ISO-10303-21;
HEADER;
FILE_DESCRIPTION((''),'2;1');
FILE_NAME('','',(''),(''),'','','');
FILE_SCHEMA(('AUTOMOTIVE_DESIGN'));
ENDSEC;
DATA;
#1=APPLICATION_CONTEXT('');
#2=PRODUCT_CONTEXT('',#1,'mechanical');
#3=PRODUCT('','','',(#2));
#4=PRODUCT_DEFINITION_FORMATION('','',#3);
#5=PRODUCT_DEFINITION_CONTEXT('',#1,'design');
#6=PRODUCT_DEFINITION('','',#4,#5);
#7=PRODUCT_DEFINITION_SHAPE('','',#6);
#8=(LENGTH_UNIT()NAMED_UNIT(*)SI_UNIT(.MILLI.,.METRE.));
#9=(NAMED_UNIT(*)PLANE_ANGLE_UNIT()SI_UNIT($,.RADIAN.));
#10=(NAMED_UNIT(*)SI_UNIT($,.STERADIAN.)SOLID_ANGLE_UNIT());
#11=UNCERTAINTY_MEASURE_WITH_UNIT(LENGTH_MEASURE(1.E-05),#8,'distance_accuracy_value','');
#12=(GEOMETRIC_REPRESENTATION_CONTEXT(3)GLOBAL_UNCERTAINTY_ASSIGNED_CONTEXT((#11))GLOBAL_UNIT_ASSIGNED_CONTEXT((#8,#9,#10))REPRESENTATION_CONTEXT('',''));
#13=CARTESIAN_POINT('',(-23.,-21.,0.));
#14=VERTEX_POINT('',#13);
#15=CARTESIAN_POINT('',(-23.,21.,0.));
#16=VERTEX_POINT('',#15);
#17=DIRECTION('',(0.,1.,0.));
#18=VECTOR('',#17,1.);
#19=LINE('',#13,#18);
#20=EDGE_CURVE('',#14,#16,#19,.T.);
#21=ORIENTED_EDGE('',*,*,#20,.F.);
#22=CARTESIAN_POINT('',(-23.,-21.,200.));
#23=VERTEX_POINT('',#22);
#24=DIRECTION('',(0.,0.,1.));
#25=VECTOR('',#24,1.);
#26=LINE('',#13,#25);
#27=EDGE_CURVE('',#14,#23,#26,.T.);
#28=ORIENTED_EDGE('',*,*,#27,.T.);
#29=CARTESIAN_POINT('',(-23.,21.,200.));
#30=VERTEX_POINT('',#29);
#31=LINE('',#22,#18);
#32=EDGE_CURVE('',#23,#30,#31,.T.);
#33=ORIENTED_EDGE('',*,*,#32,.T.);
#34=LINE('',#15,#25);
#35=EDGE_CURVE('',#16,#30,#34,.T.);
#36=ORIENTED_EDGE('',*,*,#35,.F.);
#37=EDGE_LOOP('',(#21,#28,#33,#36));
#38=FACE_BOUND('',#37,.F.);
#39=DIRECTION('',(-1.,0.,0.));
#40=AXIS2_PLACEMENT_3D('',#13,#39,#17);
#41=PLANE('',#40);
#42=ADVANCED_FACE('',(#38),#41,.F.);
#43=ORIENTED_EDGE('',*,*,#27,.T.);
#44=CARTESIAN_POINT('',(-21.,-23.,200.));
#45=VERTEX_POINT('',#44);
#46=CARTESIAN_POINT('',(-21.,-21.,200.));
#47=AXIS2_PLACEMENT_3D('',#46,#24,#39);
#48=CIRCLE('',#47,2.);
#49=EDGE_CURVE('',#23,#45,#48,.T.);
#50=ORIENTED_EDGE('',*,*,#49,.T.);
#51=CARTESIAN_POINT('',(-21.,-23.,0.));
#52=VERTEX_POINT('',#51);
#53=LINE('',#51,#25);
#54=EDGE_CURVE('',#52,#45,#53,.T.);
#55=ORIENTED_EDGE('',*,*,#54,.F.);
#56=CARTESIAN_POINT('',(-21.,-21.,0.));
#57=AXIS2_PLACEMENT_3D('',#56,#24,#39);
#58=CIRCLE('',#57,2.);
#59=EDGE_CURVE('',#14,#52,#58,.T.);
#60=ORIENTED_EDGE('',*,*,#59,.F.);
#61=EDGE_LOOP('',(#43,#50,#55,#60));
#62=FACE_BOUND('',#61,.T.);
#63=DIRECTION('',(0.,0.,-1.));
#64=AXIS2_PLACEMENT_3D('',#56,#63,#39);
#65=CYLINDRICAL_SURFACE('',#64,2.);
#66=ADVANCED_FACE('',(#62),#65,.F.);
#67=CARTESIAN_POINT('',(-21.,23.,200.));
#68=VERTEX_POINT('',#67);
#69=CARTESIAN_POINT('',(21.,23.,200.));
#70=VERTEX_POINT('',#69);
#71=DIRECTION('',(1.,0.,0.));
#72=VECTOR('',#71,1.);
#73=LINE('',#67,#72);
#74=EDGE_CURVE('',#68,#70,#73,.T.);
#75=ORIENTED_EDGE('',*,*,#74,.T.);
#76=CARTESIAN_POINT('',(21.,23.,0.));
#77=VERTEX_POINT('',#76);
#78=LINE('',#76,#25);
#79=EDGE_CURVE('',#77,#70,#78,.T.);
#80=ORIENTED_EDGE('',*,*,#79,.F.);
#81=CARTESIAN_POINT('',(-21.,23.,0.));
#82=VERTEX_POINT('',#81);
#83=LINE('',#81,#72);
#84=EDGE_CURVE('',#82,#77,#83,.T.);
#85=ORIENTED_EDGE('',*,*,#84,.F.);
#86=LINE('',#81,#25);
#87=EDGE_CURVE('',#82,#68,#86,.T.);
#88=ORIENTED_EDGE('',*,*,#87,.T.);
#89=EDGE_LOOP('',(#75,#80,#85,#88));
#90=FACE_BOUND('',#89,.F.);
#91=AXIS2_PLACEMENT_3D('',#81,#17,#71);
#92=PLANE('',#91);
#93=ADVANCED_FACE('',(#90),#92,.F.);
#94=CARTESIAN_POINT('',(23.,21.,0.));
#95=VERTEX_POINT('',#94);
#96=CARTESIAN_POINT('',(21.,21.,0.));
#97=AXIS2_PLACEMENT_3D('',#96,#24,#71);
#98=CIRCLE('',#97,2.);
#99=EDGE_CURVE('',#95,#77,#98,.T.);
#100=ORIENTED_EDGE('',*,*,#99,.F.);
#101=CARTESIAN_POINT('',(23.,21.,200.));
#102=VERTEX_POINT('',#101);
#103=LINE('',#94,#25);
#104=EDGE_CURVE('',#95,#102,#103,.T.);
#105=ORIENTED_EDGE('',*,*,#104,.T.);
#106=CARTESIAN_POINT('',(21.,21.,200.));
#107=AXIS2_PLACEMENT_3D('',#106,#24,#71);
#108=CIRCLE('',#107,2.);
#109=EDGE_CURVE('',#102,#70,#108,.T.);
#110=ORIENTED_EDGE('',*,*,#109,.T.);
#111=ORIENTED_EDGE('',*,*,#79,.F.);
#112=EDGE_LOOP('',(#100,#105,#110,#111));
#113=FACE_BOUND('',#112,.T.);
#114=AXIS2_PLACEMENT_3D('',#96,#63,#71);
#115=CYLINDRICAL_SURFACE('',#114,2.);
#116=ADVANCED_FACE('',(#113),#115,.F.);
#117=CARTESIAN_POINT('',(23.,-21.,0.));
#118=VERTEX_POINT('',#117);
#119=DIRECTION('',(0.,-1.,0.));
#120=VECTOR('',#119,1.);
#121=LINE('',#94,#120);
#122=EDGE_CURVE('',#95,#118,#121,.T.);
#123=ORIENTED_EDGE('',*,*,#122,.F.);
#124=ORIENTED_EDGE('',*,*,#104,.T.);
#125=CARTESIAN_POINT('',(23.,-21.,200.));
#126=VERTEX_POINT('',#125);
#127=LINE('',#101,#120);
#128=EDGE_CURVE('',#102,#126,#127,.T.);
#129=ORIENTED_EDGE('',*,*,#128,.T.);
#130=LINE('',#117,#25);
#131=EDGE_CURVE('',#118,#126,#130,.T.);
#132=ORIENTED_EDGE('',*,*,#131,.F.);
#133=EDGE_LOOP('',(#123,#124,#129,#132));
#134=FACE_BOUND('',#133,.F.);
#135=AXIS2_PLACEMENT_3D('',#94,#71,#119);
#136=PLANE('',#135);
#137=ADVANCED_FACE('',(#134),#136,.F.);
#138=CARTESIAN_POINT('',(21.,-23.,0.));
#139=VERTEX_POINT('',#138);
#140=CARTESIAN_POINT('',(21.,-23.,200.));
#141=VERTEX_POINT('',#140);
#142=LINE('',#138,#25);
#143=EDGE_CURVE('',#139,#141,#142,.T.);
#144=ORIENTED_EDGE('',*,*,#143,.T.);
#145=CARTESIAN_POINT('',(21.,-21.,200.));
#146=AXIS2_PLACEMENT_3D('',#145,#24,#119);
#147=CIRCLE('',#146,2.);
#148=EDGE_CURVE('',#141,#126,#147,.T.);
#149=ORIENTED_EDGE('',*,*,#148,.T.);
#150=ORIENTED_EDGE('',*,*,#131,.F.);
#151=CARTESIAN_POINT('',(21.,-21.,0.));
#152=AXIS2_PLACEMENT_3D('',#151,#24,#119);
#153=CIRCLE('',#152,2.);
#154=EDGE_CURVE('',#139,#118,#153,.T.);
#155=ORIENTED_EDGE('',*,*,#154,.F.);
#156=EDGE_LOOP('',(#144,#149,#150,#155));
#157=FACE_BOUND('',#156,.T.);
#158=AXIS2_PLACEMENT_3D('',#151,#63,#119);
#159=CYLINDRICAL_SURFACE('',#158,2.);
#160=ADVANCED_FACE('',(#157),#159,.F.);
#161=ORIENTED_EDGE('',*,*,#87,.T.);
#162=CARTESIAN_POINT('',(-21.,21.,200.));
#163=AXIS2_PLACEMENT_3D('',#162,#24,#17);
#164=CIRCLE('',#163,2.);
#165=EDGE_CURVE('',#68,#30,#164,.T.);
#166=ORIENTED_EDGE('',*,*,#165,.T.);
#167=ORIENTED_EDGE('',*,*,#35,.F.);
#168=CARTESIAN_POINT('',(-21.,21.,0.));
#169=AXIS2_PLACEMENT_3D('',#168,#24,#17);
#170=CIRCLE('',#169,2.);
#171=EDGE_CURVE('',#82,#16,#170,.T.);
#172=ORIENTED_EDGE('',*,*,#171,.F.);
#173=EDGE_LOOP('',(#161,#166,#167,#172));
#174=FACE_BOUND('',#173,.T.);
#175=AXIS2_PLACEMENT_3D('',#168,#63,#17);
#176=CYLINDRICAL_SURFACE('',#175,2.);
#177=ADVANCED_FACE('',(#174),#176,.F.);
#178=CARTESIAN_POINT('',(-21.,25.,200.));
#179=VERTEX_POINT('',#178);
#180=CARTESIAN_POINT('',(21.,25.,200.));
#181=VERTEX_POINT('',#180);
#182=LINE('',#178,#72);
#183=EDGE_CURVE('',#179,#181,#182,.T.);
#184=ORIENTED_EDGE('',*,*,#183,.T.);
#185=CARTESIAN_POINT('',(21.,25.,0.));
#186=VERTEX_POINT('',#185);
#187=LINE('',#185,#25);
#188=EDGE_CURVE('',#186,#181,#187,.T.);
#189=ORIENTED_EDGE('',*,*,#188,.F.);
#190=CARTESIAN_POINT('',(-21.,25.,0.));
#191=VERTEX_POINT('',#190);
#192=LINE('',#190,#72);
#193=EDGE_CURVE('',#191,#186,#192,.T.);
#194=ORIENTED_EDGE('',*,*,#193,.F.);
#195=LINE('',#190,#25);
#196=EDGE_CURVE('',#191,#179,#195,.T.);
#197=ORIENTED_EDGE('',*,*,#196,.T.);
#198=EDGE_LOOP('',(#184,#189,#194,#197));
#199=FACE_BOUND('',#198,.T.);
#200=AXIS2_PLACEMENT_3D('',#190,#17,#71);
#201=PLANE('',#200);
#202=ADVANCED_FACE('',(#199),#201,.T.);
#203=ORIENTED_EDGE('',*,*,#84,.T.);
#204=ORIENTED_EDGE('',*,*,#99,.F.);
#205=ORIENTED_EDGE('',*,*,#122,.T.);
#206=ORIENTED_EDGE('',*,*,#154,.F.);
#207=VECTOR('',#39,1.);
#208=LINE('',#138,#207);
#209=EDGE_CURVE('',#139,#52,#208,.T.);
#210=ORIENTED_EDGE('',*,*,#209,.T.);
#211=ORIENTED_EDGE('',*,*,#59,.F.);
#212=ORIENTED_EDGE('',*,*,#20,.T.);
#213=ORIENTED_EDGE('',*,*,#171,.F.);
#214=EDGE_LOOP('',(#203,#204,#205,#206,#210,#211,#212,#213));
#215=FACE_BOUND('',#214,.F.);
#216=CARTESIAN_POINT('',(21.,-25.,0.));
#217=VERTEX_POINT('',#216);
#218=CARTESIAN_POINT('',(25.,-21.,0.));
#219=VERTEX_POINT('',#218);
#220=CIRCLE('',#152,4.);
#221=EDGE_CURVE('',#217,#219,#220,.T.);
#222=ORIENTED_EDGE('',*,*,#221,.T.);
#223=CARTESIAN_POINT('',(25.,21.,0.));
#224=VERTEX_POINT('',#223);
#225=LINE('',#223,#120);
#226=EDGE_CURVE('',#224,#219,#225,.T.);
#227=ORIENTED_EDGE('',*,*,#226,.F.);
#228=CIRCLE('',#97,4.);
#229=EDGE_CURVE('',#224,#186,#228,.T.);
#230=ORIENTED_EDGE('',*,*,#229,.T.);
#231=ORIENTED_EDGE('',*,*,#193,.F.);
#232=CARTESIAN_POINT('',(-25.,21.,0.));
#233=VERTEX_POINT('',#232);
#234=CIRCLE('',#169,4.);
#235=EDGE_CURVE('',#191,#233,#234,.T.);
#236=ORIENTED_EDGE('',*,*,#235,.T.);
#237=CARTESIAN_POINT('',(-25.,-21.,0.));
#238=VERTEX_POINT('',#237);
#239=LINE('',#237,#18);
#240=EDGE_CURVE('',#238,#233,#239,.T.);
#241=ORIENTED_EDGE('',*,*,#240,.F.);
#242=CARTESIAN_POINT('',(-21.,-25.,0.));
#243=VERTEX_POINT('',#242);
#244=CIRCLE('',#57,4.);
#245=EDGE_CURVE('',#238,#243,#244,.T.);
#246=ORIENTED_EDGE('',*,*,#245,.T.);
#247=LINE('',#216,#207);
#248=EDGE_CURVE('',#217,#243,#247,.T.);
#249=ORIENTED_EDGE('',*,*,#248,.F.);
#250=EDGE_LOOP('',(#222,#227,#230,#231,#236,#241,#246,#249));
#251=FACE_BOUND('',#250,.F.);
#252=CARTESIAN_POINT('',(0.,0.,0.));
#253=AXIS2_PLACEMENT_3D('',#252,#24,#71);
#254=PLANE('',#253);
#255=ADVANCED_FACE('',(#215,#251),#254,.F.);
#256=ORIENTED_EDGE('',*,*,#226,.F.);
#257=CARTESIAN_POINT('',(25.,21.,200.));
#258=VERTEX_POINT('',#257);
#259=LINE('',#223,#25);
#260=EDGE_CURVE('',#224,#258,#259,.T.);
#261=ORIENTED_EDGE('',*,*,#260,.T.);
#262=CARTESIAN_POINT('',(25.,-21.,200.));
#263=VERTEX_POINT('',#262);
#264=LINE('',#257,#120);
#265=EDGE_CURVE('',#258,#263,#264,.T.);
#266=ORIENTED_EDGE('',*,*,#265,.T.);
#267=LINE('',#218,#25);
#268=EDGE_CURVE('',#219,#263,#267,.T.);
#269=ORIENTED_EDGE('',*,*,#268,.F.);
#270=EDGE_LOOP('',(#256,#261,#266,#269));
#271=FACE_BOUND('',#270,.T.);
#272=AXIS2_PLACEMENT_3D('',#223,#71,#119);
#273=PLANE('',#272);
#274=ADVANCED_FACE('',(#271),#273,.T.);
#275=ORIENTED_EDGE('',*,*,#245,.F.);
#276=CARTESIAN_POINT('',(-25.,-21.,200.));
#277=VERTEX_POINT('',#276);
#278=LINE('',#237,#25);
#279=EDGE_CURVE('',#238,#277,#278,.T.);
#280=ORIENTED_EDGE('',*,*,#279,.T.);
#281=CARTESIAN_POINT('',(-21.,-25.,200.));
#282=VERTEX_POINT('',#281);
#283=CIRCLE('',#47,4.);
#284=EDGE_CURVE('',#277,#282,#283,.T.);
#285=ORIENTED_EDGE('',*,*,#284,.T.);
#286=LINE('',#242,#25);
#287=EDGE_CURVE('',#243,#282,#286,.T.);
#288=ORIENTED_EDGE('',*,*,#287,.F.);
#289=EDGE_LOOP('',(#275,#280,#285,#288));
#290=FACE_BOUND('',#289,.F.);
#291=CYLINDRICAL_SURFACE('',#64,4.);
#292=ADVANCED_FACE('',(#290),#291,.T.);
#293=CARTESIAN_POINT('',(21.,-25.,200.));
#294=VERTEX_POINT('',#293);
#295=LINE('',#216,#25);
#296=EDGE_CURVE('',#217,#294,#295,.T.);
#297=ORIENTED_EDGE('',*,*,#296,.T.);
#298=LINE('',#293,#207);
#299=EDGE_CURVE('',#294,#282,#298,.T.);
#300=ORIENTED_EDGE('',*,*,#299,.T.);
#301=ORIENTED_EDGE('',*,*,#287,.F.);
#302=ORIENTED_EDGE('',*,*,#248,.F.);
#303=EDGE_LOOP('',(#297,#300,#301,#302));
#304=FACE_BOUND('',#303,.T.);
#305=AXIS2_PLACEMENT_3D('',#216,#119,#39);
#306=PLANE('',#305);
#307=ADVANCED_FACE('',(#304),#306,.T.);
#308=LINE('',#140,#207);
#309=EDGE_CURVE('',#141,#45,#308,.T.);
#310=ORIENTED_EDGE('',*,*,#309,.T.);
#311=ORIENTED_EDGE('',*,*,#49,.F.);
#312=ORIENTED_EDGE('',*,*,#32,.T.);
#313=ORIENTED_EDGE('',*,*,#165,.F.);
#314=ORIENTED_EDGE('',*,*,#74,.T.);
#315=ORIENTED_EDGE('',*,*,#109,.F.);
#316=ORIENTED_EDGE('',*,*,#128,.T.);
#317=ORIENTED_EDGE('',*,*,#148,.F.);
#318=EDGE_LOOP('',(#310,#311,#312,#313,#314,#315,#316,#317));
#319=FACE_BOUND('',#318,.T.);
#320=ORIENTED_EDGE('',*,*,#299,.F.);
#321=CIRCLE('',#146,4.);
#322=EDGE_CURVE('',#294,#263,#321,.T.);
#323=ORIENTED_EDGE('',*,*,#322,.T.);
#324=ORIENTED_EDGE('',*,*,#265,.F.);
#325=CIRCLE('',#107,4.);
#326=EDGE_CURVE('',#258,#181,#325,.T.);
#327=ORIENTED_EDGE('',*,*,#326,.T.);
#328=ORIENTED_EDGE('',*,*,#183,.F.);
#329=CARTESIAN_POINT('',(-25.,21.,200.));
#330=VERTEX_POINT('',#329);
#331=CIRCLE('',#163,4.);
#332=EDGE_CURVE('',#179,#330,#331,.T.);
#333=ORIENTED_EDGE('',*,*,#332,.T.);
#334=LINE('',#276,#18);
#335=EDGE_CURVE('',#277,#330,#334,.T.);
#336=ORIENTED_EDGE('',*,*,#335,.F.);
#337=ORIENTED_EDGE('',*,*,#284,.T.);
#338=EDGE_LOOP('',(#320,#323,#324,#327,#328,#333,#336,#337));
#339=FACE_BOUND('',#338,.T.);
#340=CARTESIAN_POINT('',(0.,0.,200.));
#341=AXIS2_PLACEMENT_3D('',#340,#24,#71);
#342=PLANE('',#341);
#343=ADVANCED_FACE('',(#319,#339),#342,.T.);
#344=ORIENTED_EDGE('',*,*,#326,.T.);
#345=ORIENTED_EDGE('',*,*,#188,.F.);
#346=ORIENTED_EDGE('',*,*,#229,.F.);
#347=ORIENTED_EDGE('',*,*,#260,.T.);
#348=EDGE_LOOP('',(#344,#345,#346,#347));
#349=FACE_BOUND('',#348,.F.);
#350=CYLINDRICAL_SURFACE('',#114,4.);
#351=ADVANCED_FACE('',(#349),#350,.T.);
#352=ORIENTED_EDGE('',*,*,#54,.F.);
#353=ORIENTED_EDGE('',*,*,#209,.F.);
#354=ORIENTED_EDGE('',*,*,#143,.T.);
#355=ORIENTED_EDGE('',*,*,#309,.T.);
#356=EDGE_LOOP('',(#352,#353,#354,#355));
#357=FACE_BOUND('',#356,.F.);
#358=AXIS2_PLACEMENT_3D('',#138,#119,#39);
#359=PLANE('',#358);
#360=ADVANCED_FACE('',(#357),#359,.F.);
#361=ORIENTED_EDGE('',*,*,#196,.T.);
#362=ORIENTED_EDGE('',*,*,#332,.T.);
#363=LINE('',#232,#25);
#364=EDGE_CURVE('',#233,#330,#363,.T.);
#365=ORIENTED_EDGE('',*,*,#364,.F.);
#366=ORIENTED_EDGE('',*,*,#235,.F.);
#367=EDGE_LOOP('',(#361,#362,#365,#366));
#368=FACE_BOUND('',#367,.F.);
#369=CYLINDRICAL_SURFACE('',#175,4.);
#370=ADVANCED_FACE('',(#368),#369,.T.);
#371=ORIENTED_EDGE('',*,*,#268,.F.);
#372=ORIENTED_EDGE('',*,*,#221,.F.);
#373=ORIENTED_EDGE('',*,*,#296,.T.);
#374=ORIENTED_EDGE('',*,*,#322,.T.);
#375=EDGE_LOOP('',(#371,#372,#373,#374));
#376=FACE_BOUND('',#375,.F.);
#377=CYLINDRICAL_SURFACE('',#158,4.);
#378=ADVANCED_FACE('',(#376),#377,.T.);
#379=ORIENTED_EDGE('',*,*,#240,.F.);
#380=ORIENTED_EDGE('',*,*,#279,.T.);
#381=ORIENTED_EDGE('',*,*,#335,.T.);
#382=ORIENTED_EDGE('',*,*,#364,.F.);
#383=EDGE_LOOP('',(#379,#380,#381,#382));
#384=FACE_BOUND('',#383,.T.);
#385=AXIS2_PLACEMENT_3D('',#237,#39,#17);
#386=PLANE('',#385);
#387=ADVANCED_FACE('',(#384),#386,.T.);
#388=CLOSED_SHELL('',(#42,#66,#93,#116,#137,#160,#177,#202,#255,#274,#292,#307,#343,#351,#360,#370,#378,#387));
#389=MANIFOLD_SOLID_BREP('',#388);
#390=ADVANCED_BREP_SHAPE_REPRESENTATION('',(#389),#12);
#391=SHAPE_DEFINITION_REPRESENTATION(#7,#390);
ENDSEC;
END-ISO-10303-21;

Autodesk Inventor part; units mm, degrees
ref_plane "YZ Plane" through (0, 0, 0) normal (1, 0, 0) x (0, 1, 0)
ref_plane "Plano inicial" through (0, 0, 0) normal (0, 0, 1) x (1, 0, 0)
ref_plane "Plano final" through (0, 0, 200) normal (0, 0, 1) x (1, 0, 0)
sketch "Boceto" plane through (0, 0, 0) normal (0, 0, 1) x (1, 0, 0)
  line L0 (-25, -21) -> (-25, 21)
  line L1 (-21, 25) -> (21, 25)
  line L2 (25, 21) -> (25, -21)
  line L3 (21, -25) -> (-21, -25)
  arc A0 (-25, -21) -> (-21, -25) centre (-21, -21) ccw
  arc A1 (25, 21) -> (21, 25) centre (21, 21) ccw
  arc A2 (-21, 25) -> (-25, 21) centre (-21, 21) ccw
  arc A3 (21, -25) -> (25, -21) centre (21, -21) ccw
  arc A4 (-21, 23) -> (-23, 21) centre (-21, 21) ccw
  line L4 (-21, 23) -> (21, 23)
  arc A5 (23, 21) -> (21, 23) centre (21, 21) ccw
  line L5 (23, 21) -> (23, -21)
  arc A6 (21, -23) -> (23, -21) centre (21, -21) ccw
  line L6 (21, -23) -> (-21, -23)
  arc A7 (-23, -21) -> (-21, -23) centre (-21, -21) ccw
  line L7 (-23, -21) -> (-23, 21)
  line L8 (0, 36.1598) -> (0, -36.1598) construction
  line L9 (-36.1598, 0) -> (36.1598, 0) construction
  dimension "d7" = 4
  dimension "d9" = 50
  dimension "d11" = 50
  dimension "d12" = 2
  dimension "d15" = 25
  dimension "d16" = 25
extrude "Cuerpo" add sketch "Boceto" along normal up to surface (200 mm away) from surface at 0
sketch "Sketch3" plane through (0, 0, 0) normal (0, 0, 1) x (1, 0, 0)
  line L0 (0, 0) -> (10, 0)
ref_plane "Work Plane3" through (0, 0, 0) normal (0, -1, 0) x (1, 0, 0)
sketch "Sketch4" plane through (0, 0, 0) normal (0, -1, 0) x (1, 0, 0)
  line L0 (-2, 0) -> (12, 0)
  line L1 (-2, 200) -> (12, 200)
  dimension "d18" = 200
equation "\"d7\" = G_IR"
equation "\"d9\" = G_W"
equation "\"d11\" = G_H"
equation "\"d12\" = G_T"
equation "\"d15\" = 0.5 * d9"
equation "\"d16\" = 0.5 * d11"
equation "\"d3\" = G_L"
equation "\"G_W\" = 50"
equation "\"G_H\" = 50"
equation "\"G_T\" = 2"
equation "\"G_IR\" = 4"
equation "\"G_L\" = d18"
equation "\"G_OFFSET_START\" = 0"
equation "\"G_OFFSET_END\" = 0"
properties part number "ISO 10799-2 - 50x50x2 - 200" material "Galvanizado catalogo 1"
